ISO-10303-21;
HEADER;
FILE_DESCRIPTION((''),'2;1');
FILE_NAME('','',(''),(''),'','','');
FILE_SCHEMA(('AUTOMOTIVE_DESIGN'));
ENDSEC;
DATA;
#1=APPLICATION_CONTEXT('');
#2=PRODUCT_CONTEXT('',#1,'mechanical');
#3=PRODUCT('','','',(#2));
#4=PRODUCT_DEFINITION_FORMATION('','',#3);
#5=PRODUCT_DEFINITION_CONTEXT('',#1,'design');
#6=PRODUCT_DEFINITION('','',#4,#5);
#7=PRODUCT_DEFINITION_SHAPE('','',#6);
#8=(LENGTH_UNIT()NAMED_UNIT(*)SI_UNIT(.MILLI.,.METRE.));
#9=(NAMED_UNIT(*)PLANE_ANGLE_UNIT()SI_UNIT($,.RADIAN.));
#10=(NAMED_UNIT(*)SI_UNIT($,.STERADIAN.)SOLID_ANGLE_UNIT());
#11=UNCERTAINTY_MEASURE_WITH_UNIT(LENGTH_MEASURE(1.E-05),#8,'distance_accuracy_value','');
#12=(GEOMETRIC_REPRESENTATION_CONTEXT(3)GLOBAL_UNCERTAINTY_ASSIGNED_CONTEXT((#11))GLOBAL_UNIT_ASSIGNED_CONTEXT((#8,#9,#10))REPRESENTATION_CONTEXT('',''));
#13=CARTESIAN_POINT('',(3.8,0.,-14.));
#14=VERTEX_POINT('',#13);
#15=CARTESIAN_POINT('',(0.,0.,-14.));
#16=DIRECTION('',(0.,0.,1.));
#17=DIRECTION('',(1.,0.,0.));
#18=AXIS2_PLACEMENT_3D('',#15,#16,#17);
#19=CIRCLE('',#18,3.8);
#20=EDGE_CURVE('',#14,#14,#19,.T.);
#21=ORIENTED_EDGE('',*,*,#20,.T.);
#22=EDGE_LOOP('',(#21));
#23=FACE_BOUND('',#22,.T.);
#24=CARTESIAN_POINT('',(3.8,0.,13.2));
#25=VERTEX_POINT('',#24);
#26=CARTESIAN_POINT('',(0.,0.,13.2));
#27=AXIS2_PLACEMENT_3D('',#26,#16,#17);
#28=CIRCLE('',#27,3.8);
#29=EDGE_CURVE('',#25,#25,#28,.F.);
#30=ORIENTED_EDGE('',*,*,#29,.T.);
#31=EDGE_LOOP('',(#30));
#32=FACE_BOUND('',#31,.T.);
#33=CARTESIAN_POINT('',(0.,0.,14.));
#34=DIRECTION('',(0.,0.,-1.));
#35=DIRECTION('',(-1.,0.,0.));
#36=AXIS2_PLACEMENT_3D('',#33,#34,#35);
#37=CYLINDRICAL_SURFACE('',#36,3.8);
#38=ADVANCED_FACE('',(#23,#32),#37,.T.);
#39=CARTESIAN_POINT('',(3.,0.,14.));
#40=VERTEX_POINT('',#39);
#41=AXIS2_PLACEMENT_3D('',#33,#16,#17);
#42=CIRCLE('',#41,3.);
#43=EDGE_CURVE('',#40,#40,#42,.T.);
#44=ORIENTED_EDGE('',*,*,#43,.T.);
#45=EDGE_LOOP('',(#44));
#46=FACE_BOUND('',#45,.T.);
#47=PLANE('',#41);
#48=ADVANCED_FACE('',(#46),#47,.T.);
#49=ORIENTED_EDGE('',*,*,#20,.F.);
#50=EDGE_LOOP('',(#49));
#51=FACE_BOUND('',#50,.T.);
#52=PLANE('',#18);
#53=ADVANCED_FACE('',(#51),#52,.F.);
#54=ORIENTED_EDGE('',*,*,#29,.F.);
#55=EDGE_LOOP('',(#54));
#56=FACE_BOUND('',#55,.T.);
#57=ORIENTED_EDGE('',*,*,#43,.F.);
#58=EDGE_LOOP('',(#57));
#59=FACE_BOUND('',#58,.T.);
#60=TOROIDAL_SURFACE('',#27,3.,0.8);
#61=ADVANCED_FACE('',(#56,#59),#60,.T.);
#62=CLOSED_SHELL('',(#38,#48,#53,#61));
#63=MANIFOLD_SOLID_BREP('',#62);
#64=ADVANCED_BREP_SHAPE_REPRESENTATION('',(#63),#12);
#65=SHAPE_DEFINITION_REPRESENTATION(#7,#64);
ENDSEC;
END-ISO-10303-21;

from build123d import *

# Parameters (mm, degrees)
SKETCH1_R           = 3.8
BOSS_EXTRUDE1_DEPTH = 14
FILLET1_R           = 0.8


with BuildPart() as part:
    # Sketch1 → Boss-Extrude1 (new body, symmetric)
    with BuildSketch(Plane.XY):
        Circle(SKETCH1_R)
    extrude(amount=BOSS_EXTRUDE1_DEPTH, both=True)

    # Fillet1
    fillet1_edges = [part.edges().sort_by_distance(p)[0] for p in [
        (-3.8, 0, 14),
    ]]
    fillet(fillet1_edges, radius=FILLET1_R)


solid = part.part
